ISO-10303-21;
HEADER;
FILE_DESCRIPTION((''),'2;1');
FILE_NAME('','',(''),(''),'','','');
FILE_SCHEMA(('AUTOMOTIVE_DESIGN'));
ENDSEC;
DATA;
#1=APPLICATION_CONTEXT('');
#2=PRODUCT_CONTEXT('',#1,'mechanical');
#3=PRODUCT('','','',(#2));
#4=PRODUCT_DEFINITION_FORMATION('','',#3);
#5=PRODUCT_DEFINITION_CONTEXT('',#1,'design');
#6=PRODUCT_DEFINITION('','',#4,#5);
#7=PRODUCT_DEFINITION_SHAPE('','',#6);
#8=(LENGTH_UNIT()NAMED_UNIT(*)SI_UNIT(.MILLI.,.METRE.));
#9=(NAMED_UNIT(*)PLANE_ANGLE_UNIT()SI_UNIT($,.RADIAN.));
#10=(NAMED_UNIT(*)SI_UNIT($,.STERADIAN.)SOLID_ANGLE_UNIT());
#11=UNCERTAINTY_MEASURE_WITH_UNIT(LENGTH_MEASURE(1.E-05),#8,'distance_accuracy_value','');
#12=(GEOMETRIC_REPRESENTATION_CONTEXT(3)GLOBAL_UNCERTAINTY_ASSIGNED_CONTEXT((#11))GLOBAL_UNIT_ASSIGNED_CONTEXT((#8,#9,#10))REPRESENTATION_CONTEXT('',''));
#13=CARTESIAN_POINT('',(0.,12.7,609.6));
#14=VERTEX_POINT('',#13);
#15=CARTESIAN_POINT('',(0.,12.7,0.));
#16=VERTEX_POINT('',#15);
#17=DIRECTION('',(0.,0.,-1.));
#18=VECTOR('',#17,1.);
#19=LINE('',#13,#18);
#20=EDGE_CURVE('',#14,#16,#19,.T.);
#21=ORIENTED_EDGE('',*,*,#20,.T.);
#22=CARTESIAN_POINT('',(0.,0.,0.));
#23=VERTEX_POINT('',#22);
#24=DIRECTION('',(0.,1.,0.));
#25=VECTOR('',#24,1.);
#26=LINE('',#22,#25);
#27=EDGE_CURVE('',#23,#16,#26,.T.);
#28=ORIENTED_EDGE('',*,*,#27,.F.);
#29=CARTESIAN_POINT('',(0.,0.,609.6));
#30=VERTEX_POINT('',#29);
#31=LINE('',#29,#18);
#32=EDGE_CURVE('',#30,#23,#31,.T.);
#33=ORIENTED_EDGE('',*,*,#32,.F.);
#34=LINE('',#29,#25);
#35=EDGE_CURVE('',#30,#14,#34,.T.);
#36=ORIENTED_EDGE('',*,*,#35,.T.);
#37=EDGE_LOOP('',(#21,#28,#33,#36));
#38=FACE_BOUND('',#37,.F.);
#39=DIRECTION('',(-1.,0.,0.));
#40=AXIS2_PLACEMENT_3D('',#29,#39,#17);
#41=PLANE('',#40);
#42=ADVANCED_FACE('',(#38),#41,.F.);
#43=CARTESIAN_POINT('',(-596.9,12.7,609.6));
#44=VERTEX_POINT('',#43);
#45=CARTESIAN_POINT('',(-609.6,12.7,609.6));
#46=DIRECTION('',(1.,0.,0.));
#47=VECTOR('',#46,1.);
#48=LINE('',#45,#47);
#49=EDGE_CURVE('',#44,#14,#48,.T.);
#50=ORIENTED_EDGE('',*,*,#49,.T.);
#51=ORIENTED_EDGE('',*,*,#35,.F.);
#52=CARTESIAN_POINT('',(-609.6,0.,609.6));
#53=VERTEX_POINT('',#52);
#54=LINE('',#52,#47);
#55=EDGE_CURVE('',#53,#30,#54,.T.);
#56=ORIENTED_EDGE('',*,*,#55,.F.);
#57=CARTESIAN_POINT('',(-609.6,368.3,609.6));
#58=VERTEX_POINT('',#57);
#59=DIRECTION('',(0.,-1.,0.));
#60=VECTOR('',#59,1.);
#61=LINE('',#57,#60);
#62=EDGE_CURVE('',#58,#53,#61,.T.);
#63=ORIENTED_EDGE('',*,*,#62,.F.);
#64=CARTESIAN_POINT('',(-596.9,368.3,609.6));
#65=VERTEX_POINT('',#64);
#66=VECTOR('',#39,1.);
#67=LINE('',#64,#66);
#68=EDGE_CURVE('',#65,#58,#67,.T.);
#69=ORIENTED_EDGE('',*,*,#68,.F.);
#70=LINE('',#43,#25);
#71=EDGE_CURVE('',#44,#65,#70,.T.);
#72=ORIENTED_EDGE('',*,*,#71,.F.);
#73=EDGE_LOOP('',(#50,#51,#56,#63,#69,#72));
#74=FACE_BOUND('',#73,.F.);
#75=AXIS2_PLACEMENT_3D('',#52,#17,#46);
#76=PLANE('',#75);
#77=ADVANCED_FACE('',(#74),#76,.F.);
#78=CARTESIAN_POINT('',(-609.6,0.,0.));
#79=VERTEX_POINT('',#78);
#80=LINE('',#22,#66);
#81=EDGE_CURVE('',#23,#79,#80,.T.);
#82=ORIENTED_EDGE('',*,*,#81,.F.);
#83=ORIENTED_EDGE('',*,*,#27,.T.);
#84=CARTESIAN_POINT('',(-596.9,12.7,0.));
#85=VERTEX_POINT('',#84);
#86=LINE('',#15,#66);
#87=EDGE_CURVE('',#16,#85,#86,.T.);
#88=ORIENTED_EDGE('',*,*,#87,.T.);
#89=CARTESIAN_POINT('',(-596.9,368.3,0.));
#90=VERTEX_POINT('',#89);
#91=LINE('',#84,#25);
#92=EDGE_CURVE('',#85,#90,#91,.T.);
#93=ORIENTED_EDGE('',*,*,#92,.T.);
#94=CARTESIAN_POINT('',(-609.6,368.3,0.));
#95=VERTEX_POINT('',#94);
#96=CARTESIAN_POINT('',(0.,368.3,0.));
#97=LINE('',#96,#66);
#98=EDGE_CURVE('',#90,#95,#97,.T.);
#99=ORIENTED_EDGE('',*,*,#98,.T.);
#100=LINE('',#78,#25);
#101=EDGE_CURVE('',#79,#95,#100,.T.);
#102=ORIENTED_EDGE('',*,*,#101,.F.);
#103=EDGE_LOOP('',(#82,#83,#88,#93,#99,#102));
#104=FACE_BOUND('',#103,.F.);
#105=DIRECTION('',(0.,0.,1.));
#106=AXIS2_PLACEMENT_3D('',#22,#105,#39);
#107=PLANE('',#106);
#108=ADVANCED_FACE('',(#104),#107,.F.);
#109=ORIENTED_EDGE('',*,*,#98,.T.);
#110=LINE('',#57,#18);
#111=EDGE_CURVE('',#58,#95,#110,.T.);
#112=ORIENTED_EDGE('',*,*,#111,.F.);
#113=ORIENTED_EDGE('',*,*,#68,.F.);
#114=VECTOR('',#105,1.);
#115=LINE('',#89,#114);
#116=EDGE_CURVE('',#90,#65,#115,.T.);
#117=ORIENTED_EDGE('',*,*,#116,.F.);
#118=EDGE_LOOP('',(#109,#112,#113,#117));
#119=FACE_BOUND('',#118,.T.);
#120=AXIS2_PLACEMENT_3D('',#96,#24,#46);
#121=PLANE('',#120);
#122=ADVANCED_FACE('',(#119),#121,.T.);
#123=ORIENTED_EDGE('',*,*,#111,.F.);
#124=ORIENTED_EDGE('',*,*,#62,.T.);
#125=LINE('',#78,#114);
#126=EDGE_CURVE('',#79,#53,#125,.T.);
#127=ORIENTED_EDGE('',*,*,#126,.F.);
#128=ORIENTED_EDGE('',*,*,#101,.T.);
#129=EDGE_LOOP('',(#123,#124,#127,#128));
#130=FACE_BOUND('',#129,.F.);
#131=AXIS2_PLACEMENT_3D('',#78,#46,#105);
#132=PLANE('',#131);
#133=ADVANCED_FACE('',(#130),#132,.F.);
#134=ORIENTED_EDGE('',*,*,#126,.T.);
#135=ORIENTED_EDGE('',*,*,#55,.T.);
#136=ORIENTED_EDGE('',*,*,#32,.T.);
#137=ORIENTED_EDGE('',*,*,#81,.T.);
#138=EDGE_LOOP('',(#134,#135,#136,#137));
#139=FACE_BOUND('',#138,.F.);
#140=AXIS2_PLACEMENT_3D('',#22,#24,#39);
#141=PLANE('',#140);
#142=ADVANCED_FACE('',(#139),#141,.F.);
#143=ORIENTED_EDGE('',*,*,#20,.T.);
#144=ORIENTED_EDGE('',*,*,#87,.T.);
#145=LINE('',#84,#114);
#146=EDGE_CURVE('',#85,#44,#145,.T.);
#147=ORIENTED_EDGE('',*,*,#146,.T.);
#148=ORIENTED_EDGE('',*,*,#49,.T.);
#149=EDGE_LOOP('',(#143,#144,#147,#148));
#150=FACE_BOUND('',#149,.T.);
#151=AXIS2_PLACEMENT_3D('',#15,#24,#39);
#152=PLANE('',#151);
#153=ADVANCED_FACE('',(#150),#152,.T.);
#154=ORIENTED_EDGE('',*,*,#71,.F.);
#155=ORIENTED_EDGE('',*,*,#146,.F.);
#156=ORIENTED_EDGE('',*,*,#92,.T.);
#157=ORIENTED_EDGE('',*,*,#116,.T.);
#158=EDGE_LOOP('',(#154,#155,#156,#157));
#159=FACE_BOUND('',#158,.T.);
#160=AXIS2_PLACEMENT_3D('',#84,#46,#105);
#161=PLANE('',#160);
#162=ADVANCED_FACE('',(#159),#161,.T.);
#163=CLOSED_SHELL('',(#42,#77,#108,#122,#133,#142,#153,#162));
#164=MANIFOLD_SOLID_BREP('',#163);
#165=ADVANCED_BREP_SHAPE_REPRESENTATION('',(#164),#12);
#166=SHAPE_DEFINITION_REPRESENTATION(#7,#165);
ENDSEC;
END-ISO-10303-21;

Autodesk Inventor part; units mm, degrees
ref_plane "YZ Plane" through (0, 0, 0) normal (1, 0, 0) x (0, 1, 0)
ref_plane "XZ Plane" through (0, 0, 0) normal (0, 1, 0) x (-1, 0, 0)
ref_plane "XY Plane" through (0, 0, 0) normal (0, 0, 1) x (1, 0, 0)
sketch "Sketch1" plane through (0, 0, 0) normal (0, 1, 0) x (-1, 0, 0)
  line L0 (0, 0) -> (609.6, 0)
  line L1 (609.6, 0) -> (609.6, 609.6)
  line L2 (609.6, 609.6) -> (0, 609.6)
  line L3 (0, 609.6) -> (0, 0)
  dimension "d0" = 609.6
  dimension "d1" = 609.6
extrude "Extrusion1" add sketch "Sketch1" along normal blind 12.7
sketch "Sketch2" plane through (0, 12.7, 0) normal (0, 1, 0) x (1, 0, 0)
  line L0 (0, 0) -> (-609.6, 0) projected
  line L1 (-609.6, 0) -> (-596.9, 0)
  line L2 (-596.9, 0) -> (-596.9, -609.6)
  line L3 (-596.9, -609.6) -> (-609.6, -609.6)
  line L4 (-609.6, -609.6) -> (-609.6, 0)
  dimension "d4" = 12.7
  dimension "d5" = 609.6
extrude "Extrusion2" add sketch "Sketch2" along normal blind 355.6
properties part number "foam-tile"
